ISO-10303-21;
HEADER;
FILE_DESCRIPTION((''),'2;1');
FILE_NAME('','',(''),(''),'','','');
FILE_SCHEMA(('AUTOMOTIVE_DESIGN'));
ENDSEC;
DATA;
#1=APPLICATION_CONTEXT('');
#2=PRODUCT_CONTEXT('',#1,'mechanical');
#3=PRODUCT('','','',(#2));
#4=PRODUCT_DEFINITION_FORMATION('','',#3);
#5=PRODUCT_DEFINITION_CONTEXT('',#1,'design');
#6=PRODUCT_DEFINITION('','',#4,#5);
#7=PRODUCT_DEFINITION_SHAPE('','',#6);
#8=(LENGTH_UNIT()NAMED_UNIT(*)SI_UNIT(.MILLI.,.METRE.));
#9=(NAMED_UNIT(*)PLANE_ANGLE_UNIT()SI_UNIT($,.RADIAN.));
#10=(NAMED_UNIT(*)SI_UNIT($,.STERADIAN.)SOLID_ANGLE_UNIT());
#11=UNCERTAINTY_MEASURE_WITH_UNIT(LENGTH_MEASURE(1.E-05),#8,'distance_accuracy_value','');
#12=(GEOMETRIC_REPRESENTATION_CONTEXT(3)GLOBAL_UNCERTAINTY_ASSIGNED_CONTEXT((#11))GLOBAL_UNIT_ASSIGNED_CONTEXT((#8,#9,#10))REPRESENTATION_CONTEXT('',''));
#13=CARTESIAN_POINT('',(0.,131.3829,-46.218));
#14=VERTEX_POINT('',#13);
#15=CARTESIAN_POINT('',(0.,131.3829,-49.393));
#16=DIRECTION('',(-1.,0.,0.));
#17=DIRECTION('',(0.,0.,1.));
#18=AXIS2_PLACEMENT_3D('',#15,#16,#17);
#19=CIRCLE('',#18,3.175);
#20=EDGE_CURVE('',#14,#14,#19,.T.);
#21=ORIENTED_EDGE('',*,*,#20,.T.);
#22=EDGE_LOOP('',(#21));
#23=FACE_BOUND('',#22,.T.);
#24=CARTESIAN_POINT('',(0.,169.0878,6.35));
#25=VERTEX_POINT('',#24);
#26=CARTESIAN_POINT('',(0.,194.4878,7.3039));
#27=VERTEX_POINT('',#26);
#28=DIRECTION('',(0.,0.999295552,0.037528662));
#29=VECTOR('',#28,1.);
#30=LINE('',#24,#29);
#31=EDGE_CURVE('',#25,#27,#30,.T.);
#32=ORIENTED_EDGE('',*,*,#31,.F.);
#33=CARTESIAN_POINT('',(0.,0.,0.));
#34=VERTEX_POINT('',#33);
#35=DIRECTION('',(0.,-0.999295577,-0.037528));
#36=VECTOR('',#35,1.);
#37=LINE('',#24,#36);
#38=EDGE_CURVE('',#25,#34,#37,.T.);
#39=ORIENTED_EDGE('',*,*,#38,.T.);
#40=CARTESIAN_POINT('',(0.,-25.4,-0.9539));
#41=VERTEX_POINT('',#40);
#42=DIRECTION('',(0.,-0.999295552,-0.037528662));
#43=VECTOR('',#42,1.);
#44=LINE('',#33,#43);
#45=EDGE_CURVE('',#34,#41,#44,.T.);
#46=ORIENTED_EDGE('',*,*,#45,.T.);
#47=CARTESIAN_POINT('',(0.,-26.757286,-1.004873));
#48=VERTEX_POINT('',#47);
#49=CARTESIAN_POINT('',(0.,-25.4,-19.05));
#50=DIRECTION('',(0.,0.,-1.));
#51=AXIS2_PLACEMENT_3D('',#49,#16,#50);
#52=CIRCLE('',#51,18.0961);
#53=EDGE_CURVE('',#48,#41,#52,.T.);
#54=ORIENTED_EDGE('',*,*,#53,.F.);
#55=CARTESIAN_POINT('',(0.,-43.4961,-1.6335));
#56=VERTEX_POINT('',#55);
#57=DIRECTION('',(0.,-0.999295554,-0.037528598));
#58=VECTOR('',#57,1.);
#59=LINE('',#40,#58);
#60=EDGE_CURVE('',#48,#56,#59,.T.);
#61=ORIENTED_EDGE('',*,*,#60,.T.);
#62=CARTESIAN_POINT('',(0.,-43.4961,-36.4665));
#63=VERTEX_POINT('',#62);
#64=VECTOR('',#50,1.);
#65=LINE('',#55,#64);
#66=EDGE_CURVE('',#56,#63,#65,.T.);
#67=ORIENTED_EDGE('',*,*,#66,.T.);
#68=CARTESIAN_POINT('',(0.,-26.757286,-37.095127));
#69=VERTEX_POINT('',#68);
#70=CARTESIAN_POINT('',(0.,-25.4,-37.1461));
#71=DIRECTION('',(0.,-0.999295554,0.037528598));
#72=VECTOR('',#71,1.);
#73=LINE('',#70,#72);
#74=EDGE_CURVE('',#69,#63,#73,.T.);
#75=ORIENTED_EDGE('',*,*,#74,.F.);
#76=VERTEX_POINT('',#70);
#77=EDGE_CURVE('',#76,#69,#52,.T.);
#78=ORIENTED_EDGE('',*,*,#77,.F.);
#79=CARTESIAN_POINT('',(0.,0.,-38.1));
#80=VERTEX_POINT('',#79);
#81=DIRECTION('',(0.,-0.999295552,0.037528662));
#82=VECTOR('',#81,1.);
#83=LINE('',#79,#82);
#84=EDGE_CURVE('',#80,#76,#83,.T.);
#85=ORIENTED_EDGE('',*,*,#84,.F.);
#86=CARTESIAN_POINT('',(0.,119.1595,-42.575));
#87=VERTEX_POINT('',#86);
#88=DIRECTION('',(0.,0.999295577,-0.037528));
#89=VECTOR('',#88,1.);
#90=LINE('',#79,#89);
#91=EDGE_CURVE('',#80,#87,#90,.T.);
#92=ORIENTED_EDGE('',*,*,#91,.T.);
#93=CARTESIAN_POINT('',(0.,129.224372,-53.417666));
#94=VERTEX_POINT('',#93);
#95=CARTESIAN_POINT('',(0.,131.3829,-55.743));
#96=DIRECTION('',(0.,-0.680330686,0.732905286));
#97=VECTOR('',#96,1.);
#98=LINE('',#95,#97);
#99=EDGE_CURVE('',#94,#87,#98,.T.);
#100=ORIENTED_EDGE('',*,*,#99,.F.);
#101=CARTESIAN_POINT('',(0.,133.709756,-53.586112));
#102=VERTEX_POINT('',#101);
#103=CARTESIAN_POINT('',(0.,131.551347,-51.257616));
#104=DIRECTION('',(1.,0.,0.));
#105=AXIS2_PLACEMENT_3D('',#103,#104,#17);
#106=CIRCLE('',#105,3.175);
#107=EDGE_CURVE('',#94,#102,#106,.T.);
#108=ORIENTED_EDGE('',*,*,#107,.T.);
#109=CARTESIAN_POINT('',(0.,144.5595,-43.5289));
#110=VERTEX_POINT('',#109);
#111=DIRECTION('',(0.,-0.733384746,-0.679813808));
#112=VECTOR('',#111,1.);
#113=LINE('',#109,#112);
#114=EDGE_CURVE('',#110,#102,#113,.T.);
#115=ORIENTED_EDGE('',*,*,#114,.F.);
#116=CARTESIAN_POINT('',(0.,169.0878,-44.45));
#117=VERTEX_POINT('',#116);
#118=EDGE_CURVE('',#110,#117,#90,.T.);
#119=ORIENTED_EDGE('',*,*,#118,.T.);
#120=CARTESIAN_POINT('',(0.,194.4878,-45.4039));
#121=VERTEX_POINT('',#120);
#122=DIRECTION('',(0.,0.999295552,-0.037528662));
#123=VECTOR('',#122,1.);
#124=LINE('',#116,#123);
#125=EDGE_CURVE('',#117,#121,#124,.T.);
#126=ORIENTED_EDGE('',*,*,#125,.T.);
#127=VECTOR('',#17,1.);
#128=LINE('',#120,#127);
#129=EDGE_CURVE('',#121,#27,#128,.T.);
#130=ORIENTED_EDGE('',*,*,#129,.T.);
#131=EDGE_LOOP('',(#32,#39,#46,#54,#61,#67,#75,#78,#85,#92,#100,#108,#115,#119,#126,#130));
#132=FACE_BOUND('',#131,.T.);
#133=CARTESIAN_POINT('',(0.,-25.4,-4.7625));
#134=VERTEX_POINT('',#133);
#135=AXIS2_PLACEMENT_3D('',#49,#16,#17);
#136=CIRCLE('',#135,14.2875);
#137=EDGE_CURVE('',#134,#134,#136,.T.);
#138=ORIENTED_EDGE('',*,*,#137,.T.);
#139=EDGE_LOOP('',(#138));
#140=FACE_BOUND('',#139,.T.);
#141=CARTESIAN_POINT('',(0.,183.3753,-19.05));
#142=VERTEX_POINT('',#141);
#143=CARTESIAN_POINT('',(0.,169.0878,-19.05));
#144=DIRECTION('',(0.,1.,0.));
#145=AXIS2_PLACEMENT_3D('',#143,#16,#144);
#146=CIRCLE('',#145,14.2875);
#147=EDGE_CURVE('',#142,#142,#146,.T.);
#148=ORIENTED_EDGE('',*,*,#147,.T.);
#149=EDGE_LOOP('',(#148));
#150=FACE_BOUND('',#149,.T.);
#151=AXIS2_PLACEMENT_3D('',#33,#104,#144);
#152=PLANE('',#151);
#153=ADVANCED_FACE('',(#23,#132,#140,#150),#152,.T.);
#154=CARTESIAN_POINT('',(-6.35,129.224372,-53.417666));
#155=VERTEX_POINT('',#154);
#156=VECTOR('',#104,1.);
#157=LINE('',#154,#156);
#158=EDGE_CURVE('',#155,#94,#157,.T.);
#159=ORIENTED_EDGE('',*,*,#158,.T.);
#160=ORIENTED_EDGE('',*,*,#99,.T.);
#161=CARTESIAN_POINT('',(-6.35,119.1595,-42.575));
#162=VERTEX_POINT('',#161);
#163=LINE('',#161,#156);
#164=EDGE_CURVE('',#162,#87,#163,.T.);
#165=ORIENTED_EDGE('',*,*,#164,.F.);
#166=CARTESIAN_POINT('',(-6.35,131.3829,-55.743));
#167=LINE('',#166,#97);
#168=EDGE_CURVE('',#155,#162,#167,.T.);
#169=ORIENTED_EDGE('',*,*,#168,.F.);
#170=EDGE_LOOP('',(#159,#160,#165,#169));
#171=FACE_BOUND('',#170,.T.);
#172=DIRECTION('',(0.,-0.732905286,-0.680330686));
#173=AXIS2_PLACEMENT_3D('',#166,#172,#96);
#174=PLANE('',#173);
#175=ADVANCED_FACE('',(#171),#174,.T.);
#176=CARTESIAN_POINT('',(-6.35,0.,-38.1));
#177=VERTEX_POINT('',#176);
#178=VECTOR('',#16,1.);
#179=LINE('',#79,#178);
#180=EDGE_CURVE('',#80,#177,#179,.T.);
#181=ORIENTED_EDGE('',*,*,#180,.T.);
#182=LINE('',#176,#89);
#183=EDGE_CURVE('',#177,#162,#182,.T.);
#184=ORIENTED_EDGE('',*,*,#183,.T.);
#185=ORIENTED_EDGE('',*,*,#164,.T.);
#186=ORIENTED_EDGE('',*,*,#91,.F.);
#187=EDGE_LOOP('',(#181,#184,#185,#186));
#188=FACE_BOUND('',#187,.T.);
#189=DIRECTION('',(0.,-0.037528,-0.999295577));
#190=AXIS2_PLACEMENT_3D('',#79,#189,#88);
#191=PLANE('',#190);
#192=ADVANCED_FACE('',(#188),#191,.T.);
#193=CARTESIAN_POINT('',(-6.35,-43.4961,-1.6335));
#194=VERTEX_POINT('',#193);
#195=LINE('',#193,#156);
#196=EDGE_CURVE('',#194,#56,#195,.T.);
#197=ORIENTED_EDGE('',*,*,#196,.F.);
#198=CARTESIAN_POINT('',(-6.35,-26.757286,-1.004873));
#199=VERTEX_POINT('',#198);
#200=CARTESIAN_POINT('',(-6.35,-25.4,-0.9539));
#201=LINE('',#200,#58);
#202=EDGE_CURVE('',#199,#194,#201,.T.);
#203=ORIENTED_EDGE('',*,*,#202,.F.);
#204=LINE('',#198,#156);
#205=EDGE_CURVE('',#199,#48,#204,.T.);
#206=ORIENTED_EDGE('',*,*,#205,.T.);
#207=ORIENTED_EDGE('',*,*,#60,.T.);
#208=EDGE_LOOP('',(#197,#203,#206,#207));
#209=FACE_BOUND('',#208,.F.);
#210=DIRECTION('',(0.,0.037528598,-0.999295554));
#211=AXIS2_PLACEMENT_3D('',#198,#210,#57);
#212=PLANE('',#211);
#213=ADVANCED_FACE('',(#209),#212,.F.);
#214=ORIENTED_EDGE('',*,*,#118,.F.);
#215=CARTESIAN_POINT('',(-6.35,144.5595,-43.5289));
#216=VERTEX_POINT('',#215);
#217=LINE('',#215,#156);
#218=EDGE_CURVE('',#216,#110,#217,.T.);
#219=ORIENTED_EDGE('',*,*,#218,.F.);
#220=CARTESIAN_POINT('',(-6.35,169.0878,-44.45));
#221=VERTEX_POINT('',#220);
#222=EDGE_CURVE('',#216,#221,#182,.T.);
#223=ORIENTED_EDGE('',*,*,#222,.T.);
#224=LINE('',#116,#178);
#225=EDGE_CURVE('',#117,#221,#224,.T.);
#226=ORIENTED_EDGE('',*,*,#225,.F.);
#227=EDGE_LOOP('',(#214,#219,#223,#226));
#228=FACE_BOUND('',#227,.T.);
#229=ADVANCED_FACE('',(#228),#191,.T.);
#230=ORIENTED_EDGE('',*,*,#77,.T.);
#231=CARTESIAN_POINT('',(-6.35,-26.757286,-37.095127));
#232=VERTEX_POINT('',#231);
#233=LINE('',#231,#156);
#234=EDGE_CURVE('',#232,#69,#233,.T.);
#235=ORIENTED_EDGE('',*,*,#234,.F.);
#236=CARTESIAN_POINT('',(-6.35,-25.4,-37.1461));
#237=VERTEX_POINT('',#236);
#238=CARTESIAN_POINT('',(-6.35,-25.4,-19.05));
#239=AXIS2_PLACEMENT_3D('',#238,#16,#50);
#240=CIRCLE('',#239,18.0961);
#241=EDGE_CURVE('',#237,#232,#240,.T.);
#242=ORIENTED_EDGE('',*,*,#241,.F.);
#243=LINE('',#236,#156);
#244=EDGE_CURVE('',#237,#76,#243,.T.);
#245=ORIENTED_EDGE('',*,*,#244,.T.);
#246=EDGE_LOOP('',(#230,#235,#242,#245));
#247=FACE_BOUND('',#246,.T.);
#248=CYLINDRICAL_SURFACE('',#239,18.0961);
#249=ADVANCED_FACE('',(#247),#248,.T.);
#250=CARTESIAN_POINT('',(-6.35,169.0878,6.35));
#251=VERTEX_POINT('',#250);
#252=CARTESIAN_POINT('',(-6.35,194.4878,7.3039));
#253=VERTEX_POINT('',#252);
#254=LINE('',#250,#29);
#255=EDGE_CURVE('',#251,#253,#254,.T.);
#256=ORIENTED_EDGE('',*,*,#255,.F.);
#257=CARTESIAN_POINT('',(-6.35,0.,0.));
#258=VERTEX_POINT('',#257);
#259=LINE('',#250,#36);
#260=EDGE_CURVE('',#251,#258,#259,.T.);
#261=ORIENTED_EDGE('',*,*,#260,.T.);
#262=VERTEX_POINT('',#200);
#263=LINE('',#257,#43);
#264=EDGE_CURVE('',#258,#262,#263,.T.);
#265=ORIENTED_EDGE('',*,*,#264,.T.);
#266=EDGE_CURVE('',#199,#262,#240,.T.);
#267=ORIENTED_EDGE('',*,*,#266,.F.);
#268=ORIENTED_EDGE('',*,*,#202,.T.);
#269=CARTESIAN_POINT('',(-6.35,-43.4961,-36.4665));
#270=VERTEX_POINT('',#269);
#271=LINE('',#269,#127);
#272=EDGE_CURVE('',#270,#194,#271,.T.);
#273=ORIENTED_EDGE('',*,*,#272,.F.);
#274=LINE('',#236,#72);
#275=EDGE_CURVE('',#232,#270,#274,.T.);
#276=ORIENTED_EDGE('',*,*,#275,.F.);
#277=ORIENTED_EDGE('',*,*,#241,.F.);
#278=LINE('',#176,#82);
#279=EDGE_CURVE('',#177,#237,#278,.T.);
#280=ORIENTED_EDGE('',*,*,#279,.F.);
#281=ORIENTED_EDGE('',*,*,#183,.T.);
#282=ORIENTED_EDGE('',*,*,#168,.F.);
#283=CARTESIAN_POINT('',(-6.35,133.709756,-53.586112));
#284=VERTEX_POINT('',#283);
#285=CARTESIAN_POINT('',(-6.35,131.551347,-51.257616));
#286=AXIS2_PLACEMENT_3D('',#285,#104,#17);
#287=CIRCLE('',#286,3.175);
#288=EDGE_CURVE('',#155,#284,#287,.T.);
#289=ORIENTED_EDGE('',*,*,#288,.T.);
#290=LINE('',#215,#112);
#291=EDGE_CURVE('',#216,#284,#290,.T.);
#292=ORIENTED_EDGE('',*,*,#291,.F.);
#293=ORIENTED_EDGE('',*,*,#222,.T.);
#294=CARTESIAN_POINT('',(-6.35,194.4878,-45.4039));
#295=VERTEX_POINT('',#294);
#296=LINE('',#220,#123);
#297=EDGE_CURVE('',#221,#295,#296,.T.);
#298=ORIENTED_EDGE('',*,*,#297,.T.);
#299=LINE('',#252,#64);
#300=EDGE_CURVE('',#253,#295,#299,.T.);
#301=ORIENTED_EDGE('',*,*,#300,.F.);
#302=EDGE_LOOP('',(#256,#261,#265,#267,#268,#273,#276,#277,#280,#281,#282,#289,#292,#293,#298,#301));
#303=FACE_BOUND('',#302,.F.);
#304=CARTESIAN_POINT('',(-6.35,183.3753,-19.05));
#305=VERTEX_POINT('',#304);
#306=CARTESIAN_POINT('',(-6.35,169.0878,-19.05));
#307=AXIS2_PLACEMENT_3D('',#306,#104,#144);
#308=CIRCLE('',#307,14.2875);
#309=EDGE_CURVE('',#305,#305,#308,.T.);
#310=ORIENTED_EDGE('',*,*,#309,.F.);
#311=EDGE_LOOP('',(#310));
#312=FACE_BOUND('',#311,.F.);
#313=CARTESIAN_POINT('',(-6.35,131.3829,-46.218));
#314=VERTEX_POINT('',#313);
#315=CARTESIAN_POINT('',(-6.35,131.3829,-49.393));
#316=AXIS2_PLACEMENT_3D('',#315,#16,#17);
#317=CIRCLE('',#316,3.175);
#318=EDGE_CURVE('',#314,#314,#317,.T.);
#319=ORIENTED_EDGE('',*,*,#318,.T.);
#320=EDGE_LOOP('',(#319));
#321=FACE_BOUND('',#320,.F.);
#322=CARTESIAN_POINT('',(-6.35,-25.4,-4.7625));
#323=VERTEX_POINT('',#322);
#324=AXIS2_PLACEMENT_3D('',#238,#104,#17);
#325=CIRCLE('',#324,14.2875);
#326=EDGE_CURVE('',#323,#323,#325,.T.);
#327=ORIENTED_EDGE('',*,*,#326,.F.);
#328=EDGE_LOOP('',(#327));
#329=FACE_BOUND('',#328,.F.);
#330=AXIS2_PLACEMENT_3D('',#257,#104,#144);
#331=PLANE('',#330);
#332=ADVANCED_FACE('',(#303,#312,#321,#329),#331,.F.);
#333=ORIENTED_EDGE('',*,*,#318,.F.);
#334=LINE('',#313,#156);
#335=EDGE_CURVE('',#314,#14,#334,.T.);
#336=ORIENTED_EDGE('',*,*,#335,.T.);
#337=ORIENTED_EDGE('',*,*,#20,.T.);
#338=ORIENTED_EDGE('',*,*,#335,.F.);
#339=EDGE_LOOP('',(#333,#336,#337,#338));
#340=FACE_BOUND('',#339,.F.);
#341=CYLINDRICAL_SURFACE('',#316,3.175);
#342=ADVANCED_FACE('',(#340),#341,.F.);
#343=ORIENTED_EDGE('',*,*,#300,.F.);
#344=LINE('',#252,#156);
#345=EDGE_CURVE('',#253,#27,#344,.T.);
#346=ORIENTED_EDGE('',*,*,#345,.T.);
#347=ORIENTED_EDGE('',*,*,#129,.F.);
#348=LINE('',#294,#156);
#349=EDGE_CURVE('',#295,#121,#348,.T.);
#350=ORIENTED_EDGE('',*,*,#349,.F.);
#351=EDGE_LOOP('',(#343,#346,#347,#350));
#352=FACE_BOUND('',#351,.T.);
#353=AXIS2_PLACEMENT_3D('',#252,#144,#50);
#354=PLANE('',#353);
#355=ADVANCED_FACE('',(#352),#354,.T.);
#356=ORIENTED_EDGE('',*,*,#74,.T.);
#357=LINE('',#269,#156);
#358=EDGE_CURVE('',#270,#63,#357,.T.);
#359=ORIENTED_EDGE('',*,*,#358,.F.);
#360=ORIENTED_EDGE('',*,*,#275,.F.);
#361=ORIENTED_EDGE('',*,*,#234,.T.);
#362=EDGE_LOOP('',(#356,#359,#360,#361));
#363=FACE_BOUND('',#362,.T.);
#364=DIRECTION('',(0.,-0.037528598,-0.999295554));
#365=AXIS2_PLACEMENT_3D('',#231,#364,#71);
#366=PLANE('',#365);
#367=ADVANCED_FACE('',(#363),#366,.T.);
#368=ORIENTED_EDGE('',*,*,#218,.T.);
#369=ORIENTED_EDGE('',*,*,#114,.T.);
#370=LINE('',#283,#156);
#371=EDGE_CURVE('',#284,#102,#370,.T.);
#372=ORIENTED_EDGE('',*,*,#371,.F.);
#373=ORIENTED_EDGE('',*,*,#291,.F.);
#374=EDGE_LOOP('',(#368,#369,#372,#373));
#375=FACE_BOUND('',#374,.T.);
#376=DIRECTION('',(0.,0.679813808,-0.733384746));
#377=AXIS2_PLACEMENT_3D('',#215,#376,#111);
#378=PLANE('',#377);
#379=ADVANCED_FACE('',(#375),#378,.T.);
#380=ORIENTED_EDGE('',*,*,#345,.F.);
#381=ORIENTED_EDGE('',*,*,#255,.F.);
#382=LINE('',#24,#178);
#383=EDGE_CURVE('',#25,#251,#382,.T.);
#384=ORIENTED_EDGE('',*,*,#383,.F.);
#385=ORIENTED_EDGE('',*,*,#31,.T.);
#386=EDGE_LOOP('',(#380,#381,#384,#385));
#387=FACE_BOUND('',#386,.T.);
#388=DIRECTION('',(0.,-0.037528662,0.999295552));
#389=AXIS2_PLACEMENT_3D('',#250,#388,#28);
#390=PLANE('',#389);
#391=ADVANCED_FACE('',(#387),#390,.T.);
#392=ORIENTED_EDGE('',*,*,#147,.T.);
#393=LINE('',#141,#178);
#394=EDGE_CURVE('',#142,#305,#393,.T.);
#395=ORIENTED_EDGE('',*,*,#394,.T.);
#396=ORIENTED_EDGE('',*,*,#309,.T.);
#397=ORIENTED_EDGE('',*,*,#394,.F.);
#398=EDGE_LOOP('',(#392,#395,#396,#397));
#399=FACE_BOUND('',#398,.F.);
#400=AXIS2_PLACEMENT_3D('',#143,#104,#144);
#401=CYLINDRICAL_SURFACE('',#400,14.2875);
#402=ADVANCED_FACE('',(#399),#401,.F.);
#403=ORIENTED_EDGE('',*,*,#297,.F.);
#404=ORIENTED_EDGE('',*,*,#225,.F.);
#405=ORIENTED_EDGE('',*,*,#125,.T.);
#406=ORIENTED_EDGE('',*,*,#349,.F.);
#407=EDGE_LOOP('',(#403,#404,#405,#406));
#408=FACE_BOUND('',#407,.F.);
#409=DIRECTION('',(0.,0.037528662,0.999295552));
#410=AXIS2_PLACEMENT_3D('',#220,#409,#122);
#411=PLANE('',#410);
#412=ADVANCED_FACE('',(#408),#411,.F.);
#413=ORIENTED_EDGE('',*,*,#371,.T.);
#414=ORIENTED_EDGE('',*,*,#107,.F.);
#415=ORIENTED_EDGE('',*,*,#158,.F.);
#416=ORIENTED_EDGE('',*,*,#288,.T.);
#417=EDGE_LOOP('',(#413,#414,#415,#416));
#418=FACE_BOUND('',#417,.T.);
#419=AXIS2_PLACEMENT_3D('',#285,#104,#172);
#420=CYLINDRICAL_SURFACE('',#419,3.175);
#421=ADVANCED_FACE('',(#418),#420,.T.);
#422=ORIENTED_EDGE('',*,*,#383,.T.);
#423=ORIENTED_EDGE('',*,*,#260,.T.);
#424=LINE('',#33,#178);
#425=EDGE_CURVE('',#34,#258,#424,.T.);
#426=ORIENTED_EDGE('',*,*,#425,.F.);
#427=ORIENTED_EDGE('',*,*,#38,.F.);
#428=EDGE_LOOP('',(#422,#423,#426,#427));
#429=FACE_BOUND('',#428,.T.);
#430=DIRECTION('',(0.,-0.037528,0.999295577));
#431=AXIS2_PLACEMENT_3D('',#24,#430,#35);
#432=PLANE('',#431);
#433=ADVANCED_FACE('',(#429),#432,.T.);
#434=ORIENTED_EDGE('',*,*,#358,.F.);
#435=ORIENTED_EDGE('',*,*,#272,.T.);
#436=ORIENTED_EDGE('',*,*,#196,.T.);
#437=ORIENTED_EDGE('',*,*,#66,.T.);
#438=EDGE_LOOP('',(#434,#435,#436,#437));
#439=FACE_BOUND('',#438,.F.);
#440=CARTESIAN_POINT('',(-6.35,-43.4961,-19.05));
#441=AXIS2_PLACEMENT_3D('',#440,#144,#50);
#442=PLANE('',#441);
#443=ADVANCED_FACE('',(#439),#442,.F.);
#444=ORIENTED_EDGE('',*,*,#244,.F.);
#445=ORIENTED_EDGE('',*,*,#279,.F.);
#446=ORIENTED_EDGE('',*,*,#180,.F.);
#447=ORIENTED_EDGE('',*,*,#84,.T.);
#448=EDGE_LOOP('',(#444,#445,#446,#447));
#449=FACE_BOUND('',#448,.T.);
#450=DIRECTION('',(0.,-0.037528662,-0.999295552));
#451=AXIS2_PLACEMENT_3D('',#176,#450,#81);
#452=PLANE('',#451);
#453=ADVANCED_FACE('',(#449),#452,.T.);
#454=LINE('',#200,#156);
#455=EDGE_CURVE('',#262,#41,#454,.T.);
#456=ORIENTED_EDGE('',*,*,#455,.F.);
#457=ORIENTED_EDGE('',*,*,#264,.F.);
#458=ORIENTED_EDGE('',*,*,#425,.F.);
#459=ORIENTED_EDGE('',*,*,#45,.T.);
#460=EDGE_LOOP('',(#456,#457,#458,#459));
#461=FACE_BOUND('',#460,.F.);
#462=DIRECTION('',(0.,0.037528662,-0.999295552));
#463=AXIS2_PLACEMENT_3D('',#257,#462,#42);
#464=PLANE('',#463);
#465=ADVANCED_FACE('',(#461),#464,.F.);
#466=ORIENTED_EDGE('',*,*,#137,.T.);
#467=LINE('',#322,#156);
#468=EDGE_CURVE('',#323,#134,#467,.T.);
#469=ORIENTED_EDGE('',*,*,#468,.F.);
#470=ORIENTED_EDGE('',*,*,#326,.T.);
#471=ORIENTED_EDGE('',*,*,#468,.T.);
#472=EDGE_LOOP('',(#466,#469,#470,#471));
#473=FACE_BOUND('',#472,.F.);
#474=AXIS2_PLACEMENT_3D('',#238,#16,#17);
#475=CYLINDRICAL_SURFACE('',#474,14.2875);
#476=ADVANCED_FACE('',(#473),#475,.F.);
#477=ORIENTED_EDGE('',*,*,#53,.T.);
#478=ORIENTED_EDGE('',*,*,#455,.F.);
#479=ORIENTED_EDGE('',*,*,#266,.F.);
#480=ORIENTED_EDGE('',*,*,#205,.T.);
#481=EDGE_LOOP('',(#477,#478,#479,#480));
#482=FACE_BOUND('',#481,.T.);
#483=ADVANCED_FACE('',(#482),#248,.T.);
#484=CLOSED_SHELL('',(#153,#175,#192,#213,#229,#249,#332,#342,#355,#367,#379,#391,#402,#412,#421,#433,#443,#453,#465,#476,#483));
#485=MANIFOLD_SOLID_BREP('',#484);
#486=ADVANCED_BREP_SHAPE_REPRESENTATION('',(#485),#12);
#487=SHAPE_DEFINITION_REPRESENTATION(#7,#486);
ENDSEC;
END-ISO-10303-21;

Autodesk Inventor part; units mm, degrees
ref_plane "YZ Plane" through (0, 0, 0) normal (1, 0, 0) x (0, 1, 0)
ref_plane "XZ Plane" through (0, 0, 0) normal (0, 1, 0) x (-1, 0, 0)
ref_plane "XY Plane" through (0, 0, 0) normal (0, 0, 1) x (1, 0, 0)
sketch "Sketch1" plane through (0, 0, 0) normal (1, 0, 0) x (0, 1, 0)
  line L0 (0, -38.1) -> (169.0878, -44.45)
  line L1 (169.0878, -44.45) -> (169.0878, 6.35)
  line L2 (169.0878, 6.35) -> (0, 0)
  line L3 (0, 0) -> (0, -38.1)
  arc A0 (169.0878, -44.45) -> (169.0878, 6.35) centre (169.0878, -19.05) ccw
  circle A1 centre (169.0878, -19.05) radius 14.2875
  point P0 (0, -19.05)
  point P1 (169.0878, -33.3375)
  point P2 (169.0878, -4.7625)
  dimension "d3" = 50.8
  dimension "d4" = 38.1
  dimension "d5" = 28.575
  dimension "d9" = 169.0878
extrude "Extrusion1" add sketch "Sketch1" against normal blind 6.35 contours L3 L2 L1 A1 L0 | L1 A1 A0
sketch "Sketch3" plane through (-6.35, 0, 0) normal (-1, 0, 0) x (0, 0, 1)
  line L0 (-38.1, 0) -> (0, 0) projected
  line L1 (0, 0) -> (-0.9539, -25.4)
  line L2 (-44.45, 169.0878) -> (-38.1, 0) projected
  line L3 (-38.1, 0) -> (-37.1461, -25.4)
  line L4 (0, 0) -> (6.35, 169.0878) projected
  line L5 (-37.1461, -25.4) -> (-0.9539, -25.4)
  arc A0 (-37.1461, -25.4) -> (-0.9539, -25.4) centre (-19.05, -25.4) ccw
  circle A1 centre (-19.05, -25.4) radius 14.2875
  dimension "d12" = 25.4
  dimension "d13" = 28.575
extrude "Extrusion2" add sketch "Sketch3" against normal blind 6.35 contours L0 L1 L5 A1 L3 | L5 A1 A0
sketch "Sketch4" plane through (-6.35, 0, 0) normal (-1, 0, 0) x (0, 0, 1)
  line L0 (6.35, 169.0878) -> (-0.9539, -25.4) projected
  line L1 (-0.9539, -25.4) -> (-1.6335, -43.4961)
  line L2 (-37.1461, -25.4) -> (-44.45, 169.0878) projected
  line L3 (-37.1461, -25.4) -> (-36.4665, -43.4961)
  arc A0 (-37.1461, -25.4) -> (-0.9539, -25.4) centre (-19.05, -25.4) ccw projected
  line L4 (-1.6335, -43.4961) -> (-36.4665, -43.4961)
  line L5 (6.35, 169.0878) -> (7.3039, 194.4878)
  line L6 (-44.45, 169.0878) -> (-45.4039, 194.4878)
  arc A1 (6.35, 169.0878) -> (-44.45, 169.0878) centre (-19.05, 169.0878) ccw projected
  line L7 (7.3039, 194.4878) -> (-45.4039, 194.4878)
  point P0 (0, 0)
  point P1 (-19.05, -43.4961)
  point P2 (-19.05, -43.4961)
  point P3 (-19.05, 194.4878)
  point P4 (-19.05, 194.4878)
  point P5 (-19.05, -43.4961)
  point P6 (-1.0049, -26.7573)
  point P7 (-37.0951, -26.7573)
  point P8 (-19.05, 194.4878)
extrude "Extrusion3" add sketch "Sketch4" against normal blind 6.35 contours A1 L7 L5 | A1 L6 L7 | L1 L4 A0 | L4 L3 A0
sketch "Sketch5" plane through (-6.35, 0, 0) normal (-1, 0, 0) x (0, 0, 1)
  circle A0 centre (-49.393, 131.3829) radius 3.175
  line L0 (-36.4665, -43.4961) -> (-1.6335, -43.4961) projected
  line L1 (-0.9539, -25.4) -> (7.3039, 194.4878) projected
  line L2 (-45.4039, 194.4878) -> (-37.1461, -25.4) projected
  line L3 (-43.5289, 144.5595) -> (-55.743, 131.3829)
  line L4 (-55.743, 131.3829) -> (-42.575, 119.1595)
  point P0 (0, 0)
  dimension "d18" = 6.35
  dimension "d19" = 174.879
  dimension "d29" = 25.4
  dimension "d30" = 12.7
  dimension "d31" = 6.35
extrude "Extrusion4" add sketch "Sketch5" against normal blind 6.35
fillet "Fillet1" radius 3.175 1 edges at (-3.175, 131.3829, -55.743)
properties part number "Intake - Side Panel"
